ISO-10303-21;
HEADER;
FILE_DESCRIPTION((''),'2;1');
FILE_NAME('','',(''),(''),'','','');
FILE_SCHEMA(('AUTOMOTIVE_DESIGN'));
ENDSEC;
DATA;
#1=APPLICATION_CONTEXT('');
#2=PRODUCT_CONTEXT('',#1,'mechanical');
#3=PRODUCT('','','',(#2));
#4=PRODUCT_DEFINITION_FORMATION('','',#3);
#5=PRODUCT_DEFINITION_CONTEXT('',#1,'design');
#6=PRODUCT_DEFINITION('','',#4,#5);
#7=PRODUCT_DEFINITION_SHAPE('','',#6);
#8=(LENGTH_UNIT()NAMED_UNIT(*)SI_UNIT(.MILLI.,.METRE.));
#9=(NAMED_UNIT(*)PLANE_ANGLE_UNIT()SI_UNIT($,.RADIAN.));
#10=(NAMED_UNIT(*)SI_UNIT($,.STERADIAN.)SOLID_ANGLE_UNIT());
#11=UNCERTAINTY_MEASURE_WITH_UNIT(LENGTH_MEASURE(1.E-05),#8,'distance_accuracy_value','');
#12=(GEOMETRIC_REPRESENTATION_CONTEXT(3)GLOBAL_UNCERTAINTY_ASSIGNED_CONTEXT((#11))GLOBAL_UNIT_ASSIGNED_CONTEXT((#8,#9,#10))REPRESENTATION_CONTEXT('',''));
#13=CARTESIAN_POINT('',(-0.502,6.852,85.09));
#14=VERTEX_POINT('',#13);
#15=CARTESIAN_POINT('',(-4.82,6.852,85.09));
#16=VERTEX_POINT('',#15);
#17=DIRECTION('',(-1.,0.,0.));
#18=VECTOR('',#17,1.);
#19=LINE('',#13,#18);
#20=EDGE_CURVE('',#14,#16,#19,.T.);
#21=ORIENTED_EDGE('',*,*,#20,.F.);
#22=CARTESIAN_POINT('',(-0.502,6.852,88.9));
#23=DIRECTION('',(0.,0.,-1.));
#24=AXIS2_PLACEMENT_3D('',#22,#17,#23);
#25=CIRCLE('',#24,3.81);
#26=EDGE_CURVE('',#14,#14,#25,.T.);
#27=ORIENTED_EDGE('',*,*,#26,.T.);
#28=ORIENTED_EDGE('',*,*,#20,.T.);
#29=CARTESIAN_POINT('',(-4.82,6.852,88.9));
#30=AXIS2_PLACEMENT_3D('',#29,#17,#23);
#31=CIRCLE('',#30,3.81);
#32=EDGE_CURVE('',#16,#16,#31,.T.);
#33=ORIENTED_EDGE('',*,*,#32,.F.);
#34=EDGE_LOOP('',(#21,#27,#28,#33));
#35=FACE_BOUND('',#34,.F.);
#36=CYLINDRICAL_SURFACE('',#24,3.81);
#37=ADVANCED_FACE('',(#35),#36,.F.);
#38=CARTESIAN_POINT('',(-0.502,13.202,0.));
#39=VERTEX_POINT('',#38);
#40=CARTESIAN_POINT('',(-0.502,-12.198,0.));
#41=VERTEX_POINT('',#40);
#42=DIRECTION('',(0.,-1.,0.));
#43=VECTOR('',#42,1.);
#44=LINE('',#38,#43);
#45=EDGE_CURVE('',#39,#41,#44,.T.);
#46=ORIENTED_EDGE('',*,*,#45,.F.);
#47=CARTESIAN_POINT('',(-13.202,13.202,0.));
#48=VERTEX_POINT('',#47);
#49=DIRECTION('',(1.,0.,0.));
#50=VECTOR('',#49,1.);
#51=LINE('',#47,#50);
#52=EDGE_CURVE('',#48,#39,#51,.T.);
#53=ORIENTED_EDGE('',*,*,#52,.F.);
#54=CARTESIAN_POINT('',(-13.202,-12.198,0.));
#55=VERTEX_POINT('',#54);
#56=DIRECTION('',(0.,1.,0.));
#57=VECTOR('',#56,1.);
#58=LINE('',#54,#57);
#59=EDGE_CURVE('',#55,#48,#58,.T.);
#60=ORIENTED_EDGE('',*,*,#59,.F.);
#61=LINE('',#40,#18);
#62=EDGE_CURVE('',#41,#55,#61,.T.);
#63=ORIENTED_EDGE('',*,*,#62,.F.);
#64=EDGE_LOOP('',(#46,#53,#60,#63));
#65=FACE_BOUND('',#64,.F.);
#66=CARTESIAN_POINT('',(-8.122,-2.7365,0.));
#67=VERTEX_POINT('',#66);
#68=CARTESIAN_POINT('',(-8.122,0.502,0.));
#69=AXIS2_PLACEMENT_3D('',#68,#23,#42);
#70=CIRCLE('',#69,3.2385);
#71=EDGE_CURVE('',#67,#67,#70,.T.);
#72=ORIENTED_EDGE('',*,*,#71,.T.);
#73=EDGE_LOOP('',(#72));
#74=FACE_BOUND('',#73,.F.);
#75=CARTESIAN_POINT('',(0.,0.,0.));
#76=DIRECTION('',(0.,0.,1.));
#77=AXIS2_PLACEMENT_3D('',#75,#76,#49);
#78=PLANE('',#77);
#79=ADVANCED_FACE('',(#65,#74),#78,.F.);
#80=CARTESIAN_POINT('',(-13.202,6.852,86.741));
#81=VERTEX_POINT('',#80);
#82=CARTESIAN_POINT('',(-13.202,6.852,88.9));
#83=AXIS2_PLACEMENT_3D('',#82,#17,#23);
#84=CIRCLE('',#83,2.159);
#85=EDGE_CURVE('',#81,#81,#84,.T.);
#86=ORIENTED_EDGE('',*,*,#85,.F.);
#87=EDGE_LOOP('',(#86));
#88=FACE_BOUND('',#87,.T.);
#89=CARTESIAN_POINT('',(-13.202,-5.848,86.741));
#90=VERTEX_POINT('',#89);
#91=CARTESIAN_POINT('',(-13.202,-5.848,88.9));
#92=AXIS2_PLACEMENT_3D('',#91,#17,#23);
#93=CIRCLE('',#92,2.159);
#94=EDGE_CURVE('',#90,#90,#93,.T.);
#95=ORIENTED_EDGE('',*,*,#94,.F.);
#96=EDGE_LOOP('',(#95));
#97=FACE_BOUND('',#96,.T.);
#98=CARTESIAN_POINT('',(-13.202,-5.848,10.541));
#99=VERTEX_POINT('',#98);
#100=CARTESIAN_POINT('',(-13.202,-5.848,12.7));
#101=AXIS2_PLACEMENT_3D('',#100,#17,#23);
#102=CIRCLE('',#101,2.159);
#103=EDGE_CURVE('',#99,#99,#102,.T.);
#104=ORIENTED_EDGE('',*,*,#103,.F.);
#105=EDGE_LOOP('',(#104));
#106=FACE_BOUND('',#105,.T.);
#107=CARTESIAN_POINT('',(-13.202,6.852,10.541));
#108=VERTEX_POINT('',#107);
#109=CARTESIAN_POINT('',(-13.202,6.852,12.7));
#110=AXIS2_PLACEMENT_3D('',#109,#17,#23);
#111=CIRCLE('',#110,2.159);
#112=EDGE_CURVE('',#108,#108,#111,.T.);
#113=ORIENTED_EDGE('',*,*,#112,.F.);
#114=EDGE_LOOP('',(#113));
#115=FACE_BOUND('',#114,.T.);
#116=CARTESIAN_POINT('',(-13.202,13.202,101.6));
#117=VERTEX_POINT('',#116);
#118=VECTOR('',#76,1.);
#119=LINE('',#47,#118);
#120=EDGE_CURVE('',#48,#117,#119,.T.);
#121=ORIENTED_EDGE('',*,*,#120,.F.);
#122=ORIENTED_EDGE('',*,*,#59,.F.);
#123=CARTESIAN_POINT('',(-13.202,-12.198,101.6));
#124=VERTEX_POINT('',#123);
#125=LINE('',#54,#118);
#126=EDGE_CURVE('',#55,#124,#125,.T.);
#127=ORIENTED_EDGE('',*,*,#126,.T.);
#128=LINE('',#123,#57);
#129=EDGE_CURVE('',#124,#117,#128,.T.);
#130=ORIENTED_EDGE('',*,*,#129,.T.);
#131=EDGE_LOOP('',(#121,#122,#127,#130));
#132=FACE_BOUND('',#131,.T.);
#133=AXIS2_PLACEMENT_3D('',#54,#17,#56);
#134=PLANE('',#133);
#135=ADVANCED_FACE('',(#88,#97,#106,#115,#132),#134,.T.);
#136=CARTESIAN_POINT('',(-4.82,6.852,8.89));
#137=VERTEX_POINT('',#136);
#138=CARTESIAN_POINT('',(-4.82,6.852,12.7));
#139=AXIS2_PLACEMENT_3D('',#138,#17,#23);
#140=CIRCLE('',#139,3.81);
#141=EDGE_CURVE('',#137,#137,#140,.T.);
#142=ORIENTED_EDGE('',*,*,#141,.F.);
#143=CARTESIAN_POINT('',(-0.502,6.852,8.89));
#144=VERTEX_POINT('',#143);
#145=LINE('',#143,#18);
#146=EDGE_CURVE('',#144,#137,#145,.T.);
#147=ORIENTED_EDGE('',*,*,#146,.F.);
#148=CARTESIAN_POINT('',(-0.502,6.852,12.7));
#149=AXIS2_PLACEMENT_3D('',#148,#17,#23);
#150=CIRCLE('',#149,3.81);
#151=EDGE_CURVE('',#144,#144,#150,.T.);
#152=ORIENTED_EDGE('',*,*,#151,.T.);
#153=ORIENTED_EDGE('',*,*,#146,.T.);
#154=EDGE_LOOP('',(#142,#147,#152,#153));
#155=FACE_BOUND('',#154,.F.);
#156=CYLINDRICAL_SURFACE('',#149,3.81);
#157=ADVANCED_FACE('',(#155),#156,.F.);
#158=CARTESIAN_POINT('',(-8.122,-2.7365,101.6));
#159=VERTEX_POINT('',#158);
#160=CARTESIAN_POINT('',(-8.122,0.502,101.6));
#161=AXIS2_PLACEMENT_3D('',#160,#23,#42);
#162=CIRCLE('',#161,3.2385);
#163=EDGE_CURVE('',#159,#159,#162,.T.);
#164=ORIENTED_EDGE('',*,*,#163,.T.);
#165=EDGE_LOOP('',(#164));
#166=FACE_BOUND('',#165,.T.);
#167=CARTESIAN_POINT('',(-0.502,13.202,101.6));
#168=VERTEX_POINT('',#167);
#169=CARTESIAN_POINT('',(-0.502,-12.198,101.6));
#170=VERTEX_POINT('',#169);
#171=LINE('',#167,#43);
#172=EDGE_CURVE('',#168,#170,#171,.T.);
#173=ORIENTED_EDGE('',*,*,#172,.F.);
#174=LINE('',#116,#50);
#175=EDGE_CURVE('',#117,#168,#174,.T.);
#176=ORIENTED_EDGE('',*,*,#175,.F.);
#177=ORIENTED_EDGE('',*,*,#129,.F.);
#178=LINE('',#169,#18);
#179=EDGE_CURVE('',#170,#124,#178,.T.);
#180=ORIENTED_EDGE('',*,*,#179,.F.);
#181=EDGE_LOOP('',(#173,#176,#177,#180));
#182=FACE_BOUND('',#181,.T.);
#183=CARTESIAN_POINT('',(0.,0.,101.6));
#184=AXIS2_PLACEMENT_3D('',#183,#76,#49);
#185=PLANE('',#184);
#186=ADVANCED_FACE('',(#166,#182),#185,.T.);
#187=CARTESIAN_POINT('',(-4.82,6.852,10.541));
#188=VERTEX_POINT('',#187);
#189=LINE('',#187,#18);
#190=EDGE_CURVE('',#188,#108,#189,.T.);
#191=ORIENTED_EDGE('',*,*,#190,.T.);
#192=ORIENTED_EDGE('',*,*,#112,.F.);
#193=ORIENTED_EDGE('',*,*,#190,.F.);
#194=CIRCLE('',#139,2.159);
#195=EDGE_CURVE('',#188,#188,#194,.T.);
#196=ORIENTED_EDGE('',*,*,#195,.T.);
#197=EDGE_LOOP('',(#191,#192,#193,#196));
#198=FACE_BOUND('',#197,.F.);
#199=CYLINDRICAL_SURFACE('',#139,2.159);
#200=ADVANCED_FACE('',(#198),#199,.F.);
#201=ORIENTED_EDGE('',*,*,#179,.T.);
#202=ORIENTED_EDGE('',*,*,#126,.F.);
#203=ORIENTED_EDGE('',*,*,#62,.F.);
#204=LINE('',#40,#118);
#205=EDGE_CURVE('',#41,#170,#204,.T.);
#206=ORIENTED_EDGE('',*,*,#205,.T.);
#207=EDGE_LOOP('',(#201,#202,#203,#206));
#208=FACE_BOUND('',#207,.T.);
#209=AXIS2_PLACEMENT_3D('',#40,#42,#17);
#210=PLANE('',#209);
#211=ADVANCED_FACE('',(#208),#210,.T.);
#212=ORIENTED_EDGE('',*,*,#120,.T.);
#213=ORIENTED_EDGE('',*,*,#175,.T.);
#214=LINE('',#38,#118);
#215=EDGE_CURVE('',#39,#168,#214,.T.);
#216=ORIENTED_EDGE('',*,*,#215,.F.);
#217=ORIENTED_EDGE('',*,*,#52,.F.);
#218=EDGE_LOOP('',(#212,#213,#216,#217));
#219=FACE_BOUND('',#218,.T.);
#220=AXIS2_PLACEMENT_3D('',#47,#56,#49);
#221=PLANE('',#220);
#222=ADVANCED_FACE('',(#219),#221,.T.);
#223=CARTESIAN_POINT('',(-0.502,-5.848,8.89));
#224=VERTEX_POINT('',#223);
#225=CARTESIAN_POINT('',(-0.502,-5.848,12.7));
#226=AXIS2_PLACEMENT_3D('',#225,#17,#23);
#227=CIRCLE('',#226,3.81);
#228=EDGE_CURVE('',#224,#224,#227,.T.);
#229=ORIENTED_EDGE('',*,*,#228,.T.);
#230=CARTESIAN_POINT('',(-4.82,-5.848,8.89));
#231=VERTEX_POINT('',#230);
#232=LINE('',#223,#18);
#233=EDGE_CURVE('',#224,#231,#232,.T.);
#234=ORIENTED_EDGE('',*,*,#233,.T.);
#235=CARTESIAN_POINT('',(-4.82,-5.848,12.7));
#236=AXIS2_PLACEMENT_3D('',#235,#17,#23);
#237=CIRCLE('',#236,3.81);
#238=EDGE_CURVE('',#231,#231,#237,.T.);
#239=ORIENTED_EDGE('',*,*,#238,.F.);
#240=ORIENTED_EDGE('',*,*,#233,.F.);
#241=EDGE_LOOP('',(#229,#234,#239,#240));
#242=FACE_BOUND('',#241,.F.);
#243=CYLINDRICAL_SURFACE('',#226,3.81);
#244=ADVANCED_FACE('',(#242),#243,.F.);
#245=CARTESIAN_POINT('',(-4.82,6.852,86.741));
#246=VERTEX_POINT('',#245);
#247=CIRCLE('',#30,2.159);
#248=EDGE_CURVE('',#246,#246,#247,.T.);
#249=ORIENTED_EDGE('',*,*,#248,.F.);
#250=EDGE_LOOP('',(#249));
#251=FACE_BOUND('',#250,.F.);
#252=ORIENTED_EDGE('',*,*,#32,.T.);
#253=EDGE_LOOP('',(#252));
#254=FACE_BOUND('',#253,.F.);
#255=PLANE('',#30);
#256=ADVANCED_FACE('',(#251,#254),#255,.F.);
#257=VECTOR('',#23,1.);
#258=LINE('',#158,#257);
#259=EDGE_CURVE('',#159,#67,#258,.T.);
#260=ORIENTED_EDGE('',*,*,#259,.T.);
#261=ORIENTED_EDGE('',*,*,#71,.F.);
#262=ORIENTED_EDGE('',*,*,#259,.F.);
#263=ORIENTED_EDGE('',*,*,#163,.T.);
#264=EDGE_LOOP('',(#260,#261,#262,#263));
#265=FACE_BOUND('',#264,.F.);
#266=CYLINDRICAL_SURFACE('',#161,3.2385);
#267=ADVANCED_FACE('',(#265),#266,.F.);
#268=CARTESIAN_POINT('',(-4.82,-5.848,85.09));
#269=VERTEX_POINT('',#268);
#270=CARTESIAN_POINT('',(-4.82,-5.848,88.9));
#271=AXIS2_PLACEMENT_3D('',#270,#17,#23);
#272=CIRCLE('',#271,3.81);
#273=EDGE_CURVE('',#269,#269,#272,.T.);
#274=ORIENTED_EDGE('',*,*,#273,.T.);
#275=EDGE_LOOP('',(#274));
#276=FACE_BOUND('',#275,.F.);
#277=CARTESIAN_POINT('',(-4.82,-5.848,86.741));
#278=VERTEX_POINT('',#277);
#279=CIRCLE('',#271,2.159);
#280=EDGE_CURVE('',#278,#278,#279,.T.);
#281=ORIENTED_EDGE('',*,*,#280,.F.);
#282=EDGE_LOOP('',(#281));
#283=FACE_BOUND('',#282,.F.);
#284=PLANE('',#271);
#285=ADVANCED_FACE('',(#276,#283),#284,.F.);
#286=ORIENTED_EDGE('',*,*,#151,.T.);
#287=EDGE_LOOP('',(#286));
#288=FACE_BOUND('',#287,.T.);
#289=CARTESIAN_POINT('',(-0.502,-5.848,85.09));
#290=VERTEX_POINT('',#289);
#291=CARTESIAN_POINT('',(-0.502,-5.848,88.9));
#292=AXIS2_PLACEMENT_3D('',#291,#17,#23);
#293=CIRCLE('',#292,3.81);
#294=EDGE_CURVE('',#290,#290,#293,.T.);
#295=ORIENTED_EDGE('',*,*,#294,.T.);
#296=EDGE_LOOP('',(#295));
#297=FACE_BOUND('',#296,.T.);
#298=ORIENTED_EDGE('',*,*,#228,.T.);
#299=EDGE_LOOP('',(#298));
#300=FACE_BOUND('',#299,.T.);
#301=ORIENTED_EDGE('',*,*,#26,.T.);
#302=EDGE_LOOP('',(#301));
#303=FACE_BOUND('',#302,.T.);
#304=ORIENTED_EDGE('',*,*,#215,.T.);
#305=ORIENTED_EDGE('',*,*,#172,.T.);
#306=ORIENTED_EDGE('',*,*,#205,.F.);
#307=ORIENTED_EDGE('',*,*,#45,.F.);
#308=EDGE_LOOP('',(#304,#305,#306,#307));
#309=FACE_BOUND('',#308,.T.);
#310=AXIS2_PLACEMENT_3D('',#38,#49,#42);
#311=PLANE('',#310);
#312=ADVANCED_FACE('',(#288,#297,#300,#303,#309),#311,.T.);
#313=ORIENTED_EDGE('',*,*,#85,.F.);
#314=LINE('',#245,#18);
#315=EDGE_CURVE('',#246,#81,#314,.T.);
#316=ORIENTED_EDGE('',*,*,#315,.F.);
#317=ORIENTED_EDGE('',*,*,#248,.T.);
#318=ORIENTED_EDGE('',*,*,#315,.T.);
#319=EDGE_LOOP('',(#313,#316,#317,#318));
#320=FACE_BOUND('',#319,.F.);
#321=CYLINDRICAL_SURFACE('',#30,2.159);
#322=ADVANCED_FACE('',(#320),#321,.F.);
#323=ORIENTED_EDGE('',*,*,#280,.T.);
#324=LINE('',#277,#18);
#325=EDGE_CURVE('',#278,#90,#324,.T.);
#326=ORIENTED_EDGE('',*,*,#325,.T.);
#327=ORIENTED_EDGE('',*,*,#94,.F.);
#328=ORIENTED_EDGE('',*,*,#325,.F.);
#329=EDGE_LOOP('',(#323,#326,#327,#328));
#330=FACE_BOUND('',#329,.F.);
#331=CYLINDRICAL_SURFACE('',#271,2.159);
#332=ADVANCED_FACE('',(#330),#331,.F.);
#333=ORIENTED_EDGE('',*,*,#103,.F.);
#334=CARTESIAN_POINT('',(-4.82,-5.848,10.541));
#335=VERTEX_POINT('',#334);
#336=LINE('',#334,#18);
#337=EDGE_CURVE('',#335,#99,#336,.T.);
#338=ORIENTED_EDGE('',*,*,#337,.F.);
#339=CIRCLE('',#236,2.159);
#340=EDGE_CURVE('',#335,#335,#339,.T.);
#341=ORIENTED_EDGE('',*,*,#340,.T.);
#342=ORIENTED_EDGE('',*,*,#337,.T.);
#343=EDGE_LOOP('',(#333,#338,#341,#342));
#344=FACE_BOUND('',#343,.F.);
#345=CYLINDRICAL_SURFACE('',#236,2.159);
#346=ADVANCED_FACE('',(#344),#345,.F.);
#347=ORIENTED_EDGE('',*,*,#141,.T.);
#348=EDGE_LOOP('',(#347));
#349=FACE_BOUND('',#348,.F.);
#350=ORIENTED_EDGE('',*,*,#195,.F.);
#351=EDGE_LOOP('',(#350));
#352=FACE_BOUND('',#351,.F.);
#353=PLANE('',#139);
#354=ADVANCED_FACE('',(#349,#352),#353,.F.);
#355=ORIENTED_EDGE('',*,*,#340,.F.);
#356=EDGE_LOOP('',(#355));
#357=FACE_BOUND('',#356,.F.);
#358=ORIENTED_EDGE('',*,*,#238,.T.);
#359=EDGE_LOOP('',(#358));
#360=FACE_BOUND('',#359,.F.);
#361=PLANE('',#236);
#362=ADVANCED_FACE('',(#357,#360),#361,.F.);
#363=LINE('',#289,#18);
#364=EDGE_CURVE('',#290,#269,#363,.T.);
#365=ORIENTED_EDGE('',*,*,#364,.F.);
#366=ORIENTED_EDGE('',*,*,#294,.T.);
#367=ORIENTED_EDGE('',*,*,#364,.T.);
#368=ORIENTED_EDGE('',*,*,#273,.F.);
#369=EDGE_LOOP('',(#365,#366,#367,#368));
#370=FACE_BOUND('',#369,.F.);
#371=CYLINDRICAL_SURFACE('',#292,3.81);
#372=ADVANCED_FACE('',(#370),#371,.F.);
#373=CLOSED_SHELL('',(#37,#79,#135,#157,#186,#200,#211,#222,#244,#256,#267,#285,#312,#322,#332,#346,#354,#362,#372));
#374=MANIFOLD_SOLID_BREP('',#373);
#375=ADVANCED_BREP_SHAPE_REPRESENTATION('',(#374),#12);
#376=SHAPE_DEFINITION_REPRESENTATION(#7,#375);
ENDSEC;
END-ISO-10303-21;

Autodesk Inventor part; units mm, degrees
ref_plane "YZ Plane" through (0, 0, 0) normal (1, 0, 0) x (0, 1, 0)
ref_plane "XZ Plane" through (0, 0, 0) normal (0, 1, 0) x (-1, 0, 0)
ref_plane "XY Plane" through (0, 0, 0) normal (0, 0, 1) x (1, 0, 0)
sketch "Sketch1" plane through (0, 0, 0) normal (0, 0, 1) x (1, 0, 0)
  line L0 (-13.202, 13.202) -> (-0.502, 13.202)
  line L1 (-0.502, 13.202) -> (-0.502, -12.198)
  line L2 (-0.502, -12.198) -> (-13.202, -12.198)
  line L3 (-13.202, -12.198) -> (-13.202, 13.202)
  point P0 (0, 0)
  dimension "d0" = 12.7
  dimension "d1" = 25.4
extrude "Extrusion1" add sketch "Sketch1" along normal blind 101.6
sketch "Sketch6" plane through (-0.502, 13.202, 101.6) normal (1, 0, 0) x (0, 0, -1)
  line L0 (101.6, 0) -> (101.6, -25.4) projected
  line L1 (101.6, -25.4) -> (0, -25.4) projected
  line L2 (101.6, 0) -> (101.6, -25.4) projected
  line L3 (101.6, 0) -> (0, 0) projected
  line L4 (0, -25.4) -> (0, 0) projected
  line L5 (0, -25.4) -> (0, 0) projected
  point P0 (101.6, -13.202)
  point P1 (88.9, -6.35)
  point P2 (88.9, -19.05)
  point P3 (101.6, -19.05)
  point P4 (101.6, -6.35)
  point P5 (12.7, -6.35)
  point P6 (12.7, -19.05)
  point P7 (0, -19.05)
  point P8 (0, -6.35)
  dimension "d51" = 12.7
  dimension "d52" = 6.35
  dimension "d53" = 12.7
  dimension "d54" = 6.35
  dimension "d55" = 12.7
  dimension "d56" = 6.35
  dimension "d57" = 12.7
  dimension "d58" = 6.35
sketch "Sketch8" plane through (0, 0, 101.6) normal (0, 0, 1) x (1, 0, 0)
  line L0 (-13.202, 13.202) -> (-13.202, -12.198) projected
  line L1 (-13.202, -12.198) -> (-0.502, -12.198) projected
  point P0 (0, 0)
  point P1 (-8.122, 0.502)
  dimension "d82" = 5.08
  dimension "d84" = 12.7
hole "Hole4" at (-8.122, 0.502, 101.6) direction (0, 0, -1) diameter 6.477 end through all
hole "Hole5" at (-0.502, 6.852, 12.7) at (-0.502, -5.848, 12.7) at (-0.502, 6.852, 88.9) at (-0.502, -5.848, 88.9) direction (-1, 0, 0) diameter 4.318 end through all counterbore diameter 7.62 counterbore depth 4.318
properties part number "BottomOfElevatorFrame"
